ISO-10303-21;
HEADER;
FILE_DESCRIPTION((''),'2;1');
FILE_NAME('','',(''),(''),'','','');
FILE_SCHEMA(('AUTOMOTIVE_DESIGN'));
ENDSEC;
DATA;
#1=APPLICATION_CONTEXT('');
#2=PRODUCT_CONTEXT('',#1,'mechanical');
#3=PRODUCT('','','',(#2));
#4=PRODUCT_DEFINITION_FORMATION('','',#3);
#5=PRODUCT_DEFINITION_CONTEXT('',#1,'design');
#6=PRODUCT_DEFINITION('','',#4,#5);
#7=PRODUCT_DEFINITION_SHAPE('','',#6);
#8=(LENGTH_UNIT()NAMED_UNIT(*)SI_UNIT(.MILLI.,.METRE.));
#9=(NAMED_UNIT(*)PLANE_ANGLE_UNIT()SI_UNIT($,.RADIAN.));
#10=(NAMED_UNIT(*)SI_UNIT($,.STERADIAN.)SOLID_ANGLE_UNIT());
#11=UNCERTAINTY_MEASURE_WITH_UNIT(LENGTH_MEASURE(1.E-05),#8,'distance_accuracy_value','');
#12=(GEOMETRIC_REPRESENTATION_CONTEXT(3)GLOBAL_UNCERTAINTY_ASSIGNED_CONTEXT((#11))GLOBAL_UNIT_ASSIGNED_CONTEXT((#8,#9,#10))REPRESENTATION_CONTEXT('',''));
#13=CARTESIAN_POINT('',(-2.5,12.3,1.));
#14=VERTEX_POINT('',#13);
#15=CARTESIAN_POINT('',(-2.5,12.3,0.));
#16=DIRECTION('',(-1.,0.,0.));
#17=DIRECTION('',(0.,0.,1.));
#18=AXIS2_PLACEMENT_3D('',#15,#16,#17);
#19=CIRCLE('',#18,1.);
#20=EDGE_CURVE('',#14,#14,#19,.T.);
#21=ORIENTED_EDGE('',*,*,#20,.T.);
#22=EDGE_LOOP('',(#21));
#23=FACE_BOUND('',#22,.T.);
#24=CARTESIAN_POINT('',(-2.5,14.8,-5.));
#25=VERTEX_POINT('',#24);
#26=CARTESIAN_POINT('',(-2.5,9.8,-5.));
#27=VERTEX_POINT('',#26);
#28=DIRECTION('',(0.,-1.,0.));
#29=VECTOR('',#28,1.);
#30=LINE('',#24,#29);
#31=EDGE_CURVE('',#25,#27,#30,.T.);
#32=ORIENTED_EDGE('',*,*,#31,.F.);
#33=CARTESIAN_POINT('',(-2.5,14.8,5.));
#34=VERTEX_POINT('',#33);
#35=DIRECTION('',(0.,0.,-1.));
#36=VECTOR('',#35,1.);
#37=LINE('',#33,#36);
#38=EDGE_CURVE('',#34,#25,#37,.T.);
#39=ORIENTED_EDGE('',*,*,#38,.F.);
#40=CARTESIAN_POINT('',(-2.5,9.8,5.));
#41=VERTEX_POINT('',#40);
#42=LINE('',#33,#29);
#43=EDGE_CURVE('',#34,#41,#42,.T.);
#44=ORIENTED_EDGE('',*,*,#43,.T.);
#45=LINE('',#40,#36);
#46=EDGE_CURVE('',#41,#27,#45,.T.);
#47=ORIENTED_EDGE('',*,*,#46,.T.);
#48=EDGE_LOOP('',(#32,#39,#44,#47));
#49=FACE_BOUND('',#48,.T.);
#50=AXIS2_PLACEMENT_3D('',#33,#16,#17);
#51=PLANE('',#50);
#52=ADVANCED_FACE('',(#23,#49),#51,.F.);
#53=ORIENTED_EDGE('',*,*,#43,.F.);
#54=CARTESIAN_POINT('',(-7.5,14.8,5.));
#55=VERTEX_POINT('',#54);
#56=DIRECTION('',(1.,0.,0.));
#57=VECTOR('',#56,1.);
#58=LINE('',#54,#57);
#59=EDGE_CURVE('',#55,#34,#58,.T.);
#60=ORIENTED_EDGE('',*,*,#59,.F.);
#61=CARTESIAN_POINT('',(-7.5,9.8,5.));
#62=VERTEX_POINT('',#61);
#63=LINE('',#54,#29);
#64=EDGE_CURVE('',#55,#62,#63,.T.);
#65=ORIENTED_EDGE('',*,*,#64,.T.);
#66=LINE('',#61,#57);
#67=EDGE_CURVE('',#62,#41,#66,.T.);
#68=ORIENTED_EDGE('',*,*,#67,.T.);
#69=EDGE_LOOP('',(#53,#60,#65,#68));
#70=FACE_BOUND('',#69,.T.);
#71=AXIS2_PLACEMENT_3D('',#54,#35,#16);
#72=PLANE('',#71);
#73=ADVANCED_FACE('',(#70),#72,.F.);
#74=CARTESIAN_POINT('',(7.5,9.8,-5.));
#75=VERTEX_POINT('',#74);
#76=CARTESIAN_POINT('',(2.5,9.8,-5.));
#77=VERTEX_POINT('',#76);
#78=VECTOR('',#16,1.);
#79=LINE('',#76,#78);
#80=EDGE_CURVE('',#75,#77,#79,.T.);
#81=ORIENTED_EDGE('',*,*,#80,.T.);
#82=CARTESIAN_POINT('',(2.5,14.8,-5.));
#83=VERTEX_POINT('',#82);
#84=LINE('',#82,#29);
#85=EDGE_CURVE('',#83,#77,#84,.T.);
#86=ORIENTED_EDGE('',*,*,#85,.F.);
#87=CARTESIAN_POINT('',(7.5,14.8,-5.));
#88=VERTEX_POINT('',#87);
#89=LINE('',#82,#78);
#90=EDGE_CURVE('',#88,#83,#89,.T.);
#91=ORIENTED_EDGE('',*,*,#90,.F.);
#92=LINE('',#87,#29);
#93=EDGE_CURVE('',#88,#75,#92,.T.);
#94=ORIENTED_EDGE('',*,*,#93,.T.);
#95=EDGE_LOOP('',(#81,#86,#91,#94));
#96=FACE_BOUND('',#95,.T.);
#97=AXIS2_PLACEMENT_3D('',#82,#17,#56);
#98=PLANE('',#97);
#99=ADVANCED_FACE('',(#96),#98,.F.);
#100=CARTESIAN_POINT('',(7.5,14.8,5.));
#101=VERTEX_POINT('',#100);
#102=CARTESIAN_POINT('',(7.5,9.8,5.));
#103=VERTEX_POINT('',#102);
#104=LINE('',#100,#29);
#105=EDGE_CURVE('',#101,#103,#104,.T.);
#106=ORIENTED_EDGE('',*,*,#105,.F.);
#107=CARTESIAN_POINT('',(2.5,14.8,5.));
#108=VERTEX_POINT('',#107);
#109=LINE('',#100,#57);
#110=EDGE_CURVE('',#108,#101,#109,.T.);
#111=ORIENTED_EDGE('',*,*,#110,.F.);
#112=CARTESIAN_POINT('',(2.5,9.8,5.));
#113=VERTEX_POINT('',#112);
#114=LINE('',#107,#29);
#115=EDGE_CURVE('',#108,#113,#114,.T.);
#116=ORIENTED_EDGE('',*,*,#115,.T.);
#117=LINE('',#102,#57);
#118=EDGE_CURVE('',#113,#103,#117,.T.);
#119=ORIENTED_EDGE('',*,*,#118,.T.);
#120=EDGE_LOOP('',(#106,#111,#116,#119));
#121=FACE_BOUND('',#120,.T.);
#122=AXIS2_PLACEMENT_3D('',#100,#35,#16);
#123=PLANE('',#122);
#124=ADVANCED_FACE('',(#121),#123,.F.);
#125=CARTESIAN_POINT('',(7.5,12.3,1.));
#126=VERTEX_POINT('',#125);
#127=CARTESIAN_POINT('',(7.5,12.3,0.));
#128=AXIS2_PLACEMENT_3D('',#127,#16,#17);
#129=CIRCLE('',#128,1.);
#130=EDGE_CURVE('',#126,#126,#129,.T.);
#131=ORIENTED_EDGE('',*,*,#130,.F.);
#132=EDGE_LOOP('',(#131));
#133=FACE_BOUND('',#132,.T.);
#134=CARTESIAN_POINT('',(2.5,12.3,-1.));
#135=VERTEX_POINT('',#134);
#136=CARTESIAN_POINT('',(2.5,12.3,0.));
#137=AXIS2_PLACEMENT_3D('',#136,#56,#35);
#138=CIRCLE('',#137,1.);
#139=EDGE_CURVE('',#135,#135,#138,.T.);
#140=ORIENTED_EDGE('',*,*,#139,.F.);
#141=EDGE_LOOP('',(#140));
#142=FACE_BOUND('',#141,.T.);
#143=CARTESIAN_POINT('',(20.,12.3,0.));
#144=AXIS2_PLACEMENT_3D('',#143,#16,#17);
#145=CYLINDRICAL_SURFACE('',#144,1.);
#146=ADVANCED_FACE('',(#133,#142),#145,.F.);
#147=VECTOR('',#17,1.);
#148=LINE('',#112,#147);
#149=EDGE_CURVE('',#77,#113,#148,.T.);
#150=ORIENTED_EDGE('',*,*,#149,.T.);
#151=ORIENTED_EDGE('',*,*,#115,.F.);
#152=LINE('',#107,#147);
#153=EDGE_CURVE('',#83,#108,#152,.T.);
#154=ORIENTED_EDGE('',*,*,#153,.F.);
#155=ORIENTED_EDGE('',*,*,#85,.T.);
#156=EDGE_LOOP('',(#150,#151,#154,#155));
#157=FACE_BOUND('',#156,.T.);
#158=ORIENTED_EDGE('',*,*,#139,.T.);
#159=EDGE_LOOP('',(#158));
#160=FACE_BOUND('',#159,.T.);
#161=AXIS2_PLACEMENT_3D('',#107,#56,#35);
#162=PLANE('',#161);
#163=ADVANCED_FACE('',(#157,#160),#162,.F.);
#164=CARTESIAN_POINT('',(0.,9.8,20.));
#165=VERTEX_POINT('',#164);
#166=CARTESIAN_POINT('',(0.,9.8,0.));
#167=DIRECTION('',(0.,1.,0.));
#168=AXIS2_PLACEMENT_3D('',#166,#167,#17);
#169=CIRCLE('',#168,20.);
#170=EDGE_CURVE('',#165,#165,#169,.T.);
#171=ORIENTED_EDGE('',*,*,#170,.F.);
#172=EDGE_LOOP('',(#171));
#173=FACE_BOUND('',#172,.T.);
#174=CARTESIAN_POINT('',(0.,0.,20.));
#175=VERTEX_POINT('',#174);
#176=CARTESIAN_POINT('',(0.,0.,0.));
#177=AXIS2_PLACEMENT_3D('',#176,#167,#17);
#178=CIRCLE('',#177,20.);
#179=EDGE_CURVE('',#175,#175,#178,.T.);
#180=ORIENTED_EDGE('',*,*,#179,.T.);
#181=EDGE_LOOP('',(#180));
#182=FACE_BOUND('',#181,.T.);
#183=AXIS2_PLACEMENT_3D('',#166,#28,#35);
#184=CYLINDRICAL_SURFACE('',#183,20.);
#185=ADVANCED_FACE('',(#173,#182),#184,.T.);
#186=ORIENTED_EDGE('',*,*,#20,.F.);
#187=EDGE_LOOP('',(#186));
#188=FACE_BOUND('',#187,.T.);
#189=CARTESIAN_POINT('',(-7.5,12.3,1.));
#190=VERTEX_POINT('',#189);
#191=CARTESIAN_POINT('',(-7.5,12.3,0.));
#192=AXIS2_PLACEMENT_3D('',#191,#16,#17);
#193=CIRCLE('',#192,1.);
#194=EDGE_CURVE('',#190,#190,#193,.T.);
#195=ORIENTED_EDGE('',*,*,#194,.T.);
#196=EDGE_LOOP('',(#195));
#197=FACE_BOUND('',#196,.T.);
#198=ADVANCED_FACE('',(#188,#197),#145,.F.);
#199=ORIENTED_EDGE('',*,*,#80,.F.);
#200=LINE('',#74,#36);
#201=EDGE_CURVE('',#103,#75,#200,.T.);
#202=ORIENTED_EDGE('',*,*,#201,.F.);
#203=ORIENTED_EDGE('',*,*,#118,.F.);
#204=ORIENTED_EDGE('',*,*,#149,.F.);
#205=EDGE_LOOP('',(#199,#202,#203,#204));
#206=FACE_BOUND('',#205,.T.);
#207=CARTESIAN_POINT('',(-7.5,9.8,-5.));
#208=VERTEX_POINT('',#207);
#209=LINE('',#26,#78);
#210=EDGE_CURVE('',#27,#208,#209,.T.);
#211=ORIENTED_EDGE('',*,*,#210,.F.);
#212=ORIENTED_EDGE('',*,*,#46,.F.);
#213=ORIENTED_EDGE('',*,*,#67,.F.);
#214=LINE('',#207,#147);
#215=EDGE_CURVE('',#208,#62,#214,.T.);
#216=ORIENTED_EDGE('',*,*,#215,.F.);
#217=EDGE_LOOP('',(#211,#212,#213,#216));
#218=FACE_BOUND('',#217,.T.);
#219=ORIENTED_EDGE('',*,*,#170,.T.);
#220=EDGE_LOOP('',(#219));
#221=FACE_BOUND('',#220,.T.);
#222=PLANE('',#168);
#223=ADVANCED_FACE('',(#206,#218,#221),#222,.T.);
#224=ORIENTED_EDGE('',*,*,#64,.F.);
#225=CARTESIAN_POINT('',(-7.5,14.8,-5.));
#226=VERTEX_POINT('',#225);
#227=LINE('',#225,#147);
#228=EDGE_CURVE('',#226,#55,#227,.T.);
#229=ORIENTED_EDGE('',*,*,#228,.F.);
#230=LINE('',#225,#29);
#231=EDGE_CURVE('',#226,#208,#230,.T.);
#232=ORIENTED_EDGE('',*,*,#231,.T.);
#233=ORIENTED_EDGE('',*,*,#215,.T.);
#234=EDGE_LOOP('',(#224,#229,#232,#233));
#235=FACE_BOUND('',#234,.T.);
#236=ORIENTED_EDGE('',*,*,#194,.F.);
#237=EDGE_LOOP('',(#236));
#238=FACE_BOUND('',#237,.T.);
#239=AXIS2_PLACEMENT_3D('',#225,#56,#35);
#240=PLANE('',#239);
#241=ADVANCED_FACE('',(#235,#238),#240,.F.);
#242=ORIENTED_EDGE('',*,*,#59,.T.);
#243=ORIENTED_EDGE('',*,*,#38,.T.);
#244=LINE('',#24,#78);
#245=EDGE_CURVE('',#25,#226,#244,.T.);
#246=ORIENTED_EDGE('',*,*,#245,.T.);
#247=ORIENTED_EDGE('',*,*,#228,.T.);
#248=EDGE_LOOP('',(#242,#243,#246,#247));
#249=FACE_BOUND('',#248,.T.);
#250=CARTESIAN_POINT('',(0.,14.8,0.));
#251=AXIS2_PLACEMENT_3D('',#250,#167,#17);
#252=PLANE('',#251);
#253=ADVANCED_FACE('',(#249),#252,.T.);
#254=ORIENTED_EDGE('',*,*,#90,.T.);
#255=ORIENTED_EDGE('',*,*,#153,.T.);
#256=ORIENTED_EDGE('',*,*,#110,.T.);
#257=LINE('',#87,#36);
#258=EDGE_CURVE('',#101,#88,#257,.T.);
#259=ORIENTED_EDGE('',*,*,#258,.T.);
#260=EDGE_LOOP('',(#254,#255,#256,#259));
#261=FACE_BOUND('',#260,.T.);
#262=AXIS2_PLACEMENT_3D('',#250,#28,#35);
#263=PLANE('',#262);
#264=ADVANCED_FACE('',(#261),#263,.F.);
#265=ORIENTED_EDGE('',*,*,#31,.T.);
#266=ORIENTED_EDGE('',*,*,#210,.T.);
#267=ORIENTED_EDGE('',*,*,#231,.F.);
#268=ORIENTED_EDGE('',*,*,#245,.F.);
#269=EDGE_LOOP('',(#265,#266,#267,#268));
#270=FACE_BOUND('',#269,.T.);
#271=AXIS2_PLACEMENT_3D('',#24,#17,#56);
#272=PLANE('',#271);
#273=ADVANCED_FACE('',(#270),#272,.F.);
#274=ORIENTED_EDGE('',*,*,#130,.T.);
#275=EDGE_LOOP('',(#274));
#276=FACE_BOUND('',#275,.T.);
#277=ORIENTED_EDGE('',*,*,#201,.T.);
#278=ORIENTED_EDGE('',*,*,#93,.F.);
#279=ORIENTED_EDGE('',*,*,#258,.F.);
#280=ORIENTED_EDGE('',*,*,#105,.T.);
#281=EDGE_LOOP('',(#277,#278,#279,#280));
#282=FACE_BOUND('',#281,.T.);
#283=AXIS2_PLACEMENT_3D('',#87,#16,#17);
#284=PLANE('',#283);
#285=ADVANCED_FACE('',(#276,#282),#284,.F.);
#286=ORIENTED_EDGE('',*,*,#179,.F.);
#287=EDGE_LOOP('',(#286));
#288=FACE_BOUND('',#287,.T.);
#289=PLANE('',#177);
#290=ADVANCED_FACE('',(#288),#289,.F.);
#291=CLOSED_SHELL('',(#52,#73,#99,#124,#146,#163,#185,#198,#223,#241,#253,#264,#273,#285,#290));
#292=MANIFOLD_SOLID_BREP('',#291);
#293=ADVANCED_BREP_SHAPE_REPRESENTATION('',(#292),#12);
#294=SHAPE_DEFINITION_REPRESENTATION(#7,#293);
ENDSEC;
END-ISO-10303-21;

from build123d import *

# Parameters (mm, degrees)
CROQUIS2_R              = 20
SALIENTE_EXTRUIR1_DEPTH = 9.8
CROQUIS3_W              = 5
CROQUIS3_H              = 10
SALIENTE_EXTRUIR2_DEPTH = 5
CROQUIS4_R              = 1
CORTAR_EXTRUIR1_DEPTH   = 38.084902589


with BuildPart() as part:
    # Croquis2 → Saliente-Extruir1 (new body)
    with BuildSketch(Plane(origin=(0, 0, 0), x_dir=(1, 0, 0), z_dir=(0, 1, 0))):
        with Locations(Location((0, 0, 0), (0, 0, 270))):
            Circle(CROQUIS2_R)
    extrude(amount=SALIENTE_EXTRUIR1_DEPTH)

    # Croquis3 → Saliente-Extruir2 (add)
    with BuildSketch(Plane(origin=(0, 9.8, 0), x_dir=(1, 0, 0), z_dir=(0, 1, 0))):
        with Locations((5, 0)):
            Rectangle(CROQUIS3_W, CROQUIS3_H)
        with Locations((-5, 0)):
            Rectangle(CROQUIS3_W, CROQUIS3_H)
    extrude(amount=SALIENTE_EXTRUIR2_DEPTH)

    # Croquis4 → Cortar-Extruir1 (cut, through all)
    with BuildSketch(Plane.ZY.offset(7.5)):
        with Locations((0, 12.3)):
            Circle(CROQUIS4_R)
    extrude(amount=-CORTAR_EXTRUIR1_DEPTH, mode=Mode.SUBTRACT)


solid = part.part
